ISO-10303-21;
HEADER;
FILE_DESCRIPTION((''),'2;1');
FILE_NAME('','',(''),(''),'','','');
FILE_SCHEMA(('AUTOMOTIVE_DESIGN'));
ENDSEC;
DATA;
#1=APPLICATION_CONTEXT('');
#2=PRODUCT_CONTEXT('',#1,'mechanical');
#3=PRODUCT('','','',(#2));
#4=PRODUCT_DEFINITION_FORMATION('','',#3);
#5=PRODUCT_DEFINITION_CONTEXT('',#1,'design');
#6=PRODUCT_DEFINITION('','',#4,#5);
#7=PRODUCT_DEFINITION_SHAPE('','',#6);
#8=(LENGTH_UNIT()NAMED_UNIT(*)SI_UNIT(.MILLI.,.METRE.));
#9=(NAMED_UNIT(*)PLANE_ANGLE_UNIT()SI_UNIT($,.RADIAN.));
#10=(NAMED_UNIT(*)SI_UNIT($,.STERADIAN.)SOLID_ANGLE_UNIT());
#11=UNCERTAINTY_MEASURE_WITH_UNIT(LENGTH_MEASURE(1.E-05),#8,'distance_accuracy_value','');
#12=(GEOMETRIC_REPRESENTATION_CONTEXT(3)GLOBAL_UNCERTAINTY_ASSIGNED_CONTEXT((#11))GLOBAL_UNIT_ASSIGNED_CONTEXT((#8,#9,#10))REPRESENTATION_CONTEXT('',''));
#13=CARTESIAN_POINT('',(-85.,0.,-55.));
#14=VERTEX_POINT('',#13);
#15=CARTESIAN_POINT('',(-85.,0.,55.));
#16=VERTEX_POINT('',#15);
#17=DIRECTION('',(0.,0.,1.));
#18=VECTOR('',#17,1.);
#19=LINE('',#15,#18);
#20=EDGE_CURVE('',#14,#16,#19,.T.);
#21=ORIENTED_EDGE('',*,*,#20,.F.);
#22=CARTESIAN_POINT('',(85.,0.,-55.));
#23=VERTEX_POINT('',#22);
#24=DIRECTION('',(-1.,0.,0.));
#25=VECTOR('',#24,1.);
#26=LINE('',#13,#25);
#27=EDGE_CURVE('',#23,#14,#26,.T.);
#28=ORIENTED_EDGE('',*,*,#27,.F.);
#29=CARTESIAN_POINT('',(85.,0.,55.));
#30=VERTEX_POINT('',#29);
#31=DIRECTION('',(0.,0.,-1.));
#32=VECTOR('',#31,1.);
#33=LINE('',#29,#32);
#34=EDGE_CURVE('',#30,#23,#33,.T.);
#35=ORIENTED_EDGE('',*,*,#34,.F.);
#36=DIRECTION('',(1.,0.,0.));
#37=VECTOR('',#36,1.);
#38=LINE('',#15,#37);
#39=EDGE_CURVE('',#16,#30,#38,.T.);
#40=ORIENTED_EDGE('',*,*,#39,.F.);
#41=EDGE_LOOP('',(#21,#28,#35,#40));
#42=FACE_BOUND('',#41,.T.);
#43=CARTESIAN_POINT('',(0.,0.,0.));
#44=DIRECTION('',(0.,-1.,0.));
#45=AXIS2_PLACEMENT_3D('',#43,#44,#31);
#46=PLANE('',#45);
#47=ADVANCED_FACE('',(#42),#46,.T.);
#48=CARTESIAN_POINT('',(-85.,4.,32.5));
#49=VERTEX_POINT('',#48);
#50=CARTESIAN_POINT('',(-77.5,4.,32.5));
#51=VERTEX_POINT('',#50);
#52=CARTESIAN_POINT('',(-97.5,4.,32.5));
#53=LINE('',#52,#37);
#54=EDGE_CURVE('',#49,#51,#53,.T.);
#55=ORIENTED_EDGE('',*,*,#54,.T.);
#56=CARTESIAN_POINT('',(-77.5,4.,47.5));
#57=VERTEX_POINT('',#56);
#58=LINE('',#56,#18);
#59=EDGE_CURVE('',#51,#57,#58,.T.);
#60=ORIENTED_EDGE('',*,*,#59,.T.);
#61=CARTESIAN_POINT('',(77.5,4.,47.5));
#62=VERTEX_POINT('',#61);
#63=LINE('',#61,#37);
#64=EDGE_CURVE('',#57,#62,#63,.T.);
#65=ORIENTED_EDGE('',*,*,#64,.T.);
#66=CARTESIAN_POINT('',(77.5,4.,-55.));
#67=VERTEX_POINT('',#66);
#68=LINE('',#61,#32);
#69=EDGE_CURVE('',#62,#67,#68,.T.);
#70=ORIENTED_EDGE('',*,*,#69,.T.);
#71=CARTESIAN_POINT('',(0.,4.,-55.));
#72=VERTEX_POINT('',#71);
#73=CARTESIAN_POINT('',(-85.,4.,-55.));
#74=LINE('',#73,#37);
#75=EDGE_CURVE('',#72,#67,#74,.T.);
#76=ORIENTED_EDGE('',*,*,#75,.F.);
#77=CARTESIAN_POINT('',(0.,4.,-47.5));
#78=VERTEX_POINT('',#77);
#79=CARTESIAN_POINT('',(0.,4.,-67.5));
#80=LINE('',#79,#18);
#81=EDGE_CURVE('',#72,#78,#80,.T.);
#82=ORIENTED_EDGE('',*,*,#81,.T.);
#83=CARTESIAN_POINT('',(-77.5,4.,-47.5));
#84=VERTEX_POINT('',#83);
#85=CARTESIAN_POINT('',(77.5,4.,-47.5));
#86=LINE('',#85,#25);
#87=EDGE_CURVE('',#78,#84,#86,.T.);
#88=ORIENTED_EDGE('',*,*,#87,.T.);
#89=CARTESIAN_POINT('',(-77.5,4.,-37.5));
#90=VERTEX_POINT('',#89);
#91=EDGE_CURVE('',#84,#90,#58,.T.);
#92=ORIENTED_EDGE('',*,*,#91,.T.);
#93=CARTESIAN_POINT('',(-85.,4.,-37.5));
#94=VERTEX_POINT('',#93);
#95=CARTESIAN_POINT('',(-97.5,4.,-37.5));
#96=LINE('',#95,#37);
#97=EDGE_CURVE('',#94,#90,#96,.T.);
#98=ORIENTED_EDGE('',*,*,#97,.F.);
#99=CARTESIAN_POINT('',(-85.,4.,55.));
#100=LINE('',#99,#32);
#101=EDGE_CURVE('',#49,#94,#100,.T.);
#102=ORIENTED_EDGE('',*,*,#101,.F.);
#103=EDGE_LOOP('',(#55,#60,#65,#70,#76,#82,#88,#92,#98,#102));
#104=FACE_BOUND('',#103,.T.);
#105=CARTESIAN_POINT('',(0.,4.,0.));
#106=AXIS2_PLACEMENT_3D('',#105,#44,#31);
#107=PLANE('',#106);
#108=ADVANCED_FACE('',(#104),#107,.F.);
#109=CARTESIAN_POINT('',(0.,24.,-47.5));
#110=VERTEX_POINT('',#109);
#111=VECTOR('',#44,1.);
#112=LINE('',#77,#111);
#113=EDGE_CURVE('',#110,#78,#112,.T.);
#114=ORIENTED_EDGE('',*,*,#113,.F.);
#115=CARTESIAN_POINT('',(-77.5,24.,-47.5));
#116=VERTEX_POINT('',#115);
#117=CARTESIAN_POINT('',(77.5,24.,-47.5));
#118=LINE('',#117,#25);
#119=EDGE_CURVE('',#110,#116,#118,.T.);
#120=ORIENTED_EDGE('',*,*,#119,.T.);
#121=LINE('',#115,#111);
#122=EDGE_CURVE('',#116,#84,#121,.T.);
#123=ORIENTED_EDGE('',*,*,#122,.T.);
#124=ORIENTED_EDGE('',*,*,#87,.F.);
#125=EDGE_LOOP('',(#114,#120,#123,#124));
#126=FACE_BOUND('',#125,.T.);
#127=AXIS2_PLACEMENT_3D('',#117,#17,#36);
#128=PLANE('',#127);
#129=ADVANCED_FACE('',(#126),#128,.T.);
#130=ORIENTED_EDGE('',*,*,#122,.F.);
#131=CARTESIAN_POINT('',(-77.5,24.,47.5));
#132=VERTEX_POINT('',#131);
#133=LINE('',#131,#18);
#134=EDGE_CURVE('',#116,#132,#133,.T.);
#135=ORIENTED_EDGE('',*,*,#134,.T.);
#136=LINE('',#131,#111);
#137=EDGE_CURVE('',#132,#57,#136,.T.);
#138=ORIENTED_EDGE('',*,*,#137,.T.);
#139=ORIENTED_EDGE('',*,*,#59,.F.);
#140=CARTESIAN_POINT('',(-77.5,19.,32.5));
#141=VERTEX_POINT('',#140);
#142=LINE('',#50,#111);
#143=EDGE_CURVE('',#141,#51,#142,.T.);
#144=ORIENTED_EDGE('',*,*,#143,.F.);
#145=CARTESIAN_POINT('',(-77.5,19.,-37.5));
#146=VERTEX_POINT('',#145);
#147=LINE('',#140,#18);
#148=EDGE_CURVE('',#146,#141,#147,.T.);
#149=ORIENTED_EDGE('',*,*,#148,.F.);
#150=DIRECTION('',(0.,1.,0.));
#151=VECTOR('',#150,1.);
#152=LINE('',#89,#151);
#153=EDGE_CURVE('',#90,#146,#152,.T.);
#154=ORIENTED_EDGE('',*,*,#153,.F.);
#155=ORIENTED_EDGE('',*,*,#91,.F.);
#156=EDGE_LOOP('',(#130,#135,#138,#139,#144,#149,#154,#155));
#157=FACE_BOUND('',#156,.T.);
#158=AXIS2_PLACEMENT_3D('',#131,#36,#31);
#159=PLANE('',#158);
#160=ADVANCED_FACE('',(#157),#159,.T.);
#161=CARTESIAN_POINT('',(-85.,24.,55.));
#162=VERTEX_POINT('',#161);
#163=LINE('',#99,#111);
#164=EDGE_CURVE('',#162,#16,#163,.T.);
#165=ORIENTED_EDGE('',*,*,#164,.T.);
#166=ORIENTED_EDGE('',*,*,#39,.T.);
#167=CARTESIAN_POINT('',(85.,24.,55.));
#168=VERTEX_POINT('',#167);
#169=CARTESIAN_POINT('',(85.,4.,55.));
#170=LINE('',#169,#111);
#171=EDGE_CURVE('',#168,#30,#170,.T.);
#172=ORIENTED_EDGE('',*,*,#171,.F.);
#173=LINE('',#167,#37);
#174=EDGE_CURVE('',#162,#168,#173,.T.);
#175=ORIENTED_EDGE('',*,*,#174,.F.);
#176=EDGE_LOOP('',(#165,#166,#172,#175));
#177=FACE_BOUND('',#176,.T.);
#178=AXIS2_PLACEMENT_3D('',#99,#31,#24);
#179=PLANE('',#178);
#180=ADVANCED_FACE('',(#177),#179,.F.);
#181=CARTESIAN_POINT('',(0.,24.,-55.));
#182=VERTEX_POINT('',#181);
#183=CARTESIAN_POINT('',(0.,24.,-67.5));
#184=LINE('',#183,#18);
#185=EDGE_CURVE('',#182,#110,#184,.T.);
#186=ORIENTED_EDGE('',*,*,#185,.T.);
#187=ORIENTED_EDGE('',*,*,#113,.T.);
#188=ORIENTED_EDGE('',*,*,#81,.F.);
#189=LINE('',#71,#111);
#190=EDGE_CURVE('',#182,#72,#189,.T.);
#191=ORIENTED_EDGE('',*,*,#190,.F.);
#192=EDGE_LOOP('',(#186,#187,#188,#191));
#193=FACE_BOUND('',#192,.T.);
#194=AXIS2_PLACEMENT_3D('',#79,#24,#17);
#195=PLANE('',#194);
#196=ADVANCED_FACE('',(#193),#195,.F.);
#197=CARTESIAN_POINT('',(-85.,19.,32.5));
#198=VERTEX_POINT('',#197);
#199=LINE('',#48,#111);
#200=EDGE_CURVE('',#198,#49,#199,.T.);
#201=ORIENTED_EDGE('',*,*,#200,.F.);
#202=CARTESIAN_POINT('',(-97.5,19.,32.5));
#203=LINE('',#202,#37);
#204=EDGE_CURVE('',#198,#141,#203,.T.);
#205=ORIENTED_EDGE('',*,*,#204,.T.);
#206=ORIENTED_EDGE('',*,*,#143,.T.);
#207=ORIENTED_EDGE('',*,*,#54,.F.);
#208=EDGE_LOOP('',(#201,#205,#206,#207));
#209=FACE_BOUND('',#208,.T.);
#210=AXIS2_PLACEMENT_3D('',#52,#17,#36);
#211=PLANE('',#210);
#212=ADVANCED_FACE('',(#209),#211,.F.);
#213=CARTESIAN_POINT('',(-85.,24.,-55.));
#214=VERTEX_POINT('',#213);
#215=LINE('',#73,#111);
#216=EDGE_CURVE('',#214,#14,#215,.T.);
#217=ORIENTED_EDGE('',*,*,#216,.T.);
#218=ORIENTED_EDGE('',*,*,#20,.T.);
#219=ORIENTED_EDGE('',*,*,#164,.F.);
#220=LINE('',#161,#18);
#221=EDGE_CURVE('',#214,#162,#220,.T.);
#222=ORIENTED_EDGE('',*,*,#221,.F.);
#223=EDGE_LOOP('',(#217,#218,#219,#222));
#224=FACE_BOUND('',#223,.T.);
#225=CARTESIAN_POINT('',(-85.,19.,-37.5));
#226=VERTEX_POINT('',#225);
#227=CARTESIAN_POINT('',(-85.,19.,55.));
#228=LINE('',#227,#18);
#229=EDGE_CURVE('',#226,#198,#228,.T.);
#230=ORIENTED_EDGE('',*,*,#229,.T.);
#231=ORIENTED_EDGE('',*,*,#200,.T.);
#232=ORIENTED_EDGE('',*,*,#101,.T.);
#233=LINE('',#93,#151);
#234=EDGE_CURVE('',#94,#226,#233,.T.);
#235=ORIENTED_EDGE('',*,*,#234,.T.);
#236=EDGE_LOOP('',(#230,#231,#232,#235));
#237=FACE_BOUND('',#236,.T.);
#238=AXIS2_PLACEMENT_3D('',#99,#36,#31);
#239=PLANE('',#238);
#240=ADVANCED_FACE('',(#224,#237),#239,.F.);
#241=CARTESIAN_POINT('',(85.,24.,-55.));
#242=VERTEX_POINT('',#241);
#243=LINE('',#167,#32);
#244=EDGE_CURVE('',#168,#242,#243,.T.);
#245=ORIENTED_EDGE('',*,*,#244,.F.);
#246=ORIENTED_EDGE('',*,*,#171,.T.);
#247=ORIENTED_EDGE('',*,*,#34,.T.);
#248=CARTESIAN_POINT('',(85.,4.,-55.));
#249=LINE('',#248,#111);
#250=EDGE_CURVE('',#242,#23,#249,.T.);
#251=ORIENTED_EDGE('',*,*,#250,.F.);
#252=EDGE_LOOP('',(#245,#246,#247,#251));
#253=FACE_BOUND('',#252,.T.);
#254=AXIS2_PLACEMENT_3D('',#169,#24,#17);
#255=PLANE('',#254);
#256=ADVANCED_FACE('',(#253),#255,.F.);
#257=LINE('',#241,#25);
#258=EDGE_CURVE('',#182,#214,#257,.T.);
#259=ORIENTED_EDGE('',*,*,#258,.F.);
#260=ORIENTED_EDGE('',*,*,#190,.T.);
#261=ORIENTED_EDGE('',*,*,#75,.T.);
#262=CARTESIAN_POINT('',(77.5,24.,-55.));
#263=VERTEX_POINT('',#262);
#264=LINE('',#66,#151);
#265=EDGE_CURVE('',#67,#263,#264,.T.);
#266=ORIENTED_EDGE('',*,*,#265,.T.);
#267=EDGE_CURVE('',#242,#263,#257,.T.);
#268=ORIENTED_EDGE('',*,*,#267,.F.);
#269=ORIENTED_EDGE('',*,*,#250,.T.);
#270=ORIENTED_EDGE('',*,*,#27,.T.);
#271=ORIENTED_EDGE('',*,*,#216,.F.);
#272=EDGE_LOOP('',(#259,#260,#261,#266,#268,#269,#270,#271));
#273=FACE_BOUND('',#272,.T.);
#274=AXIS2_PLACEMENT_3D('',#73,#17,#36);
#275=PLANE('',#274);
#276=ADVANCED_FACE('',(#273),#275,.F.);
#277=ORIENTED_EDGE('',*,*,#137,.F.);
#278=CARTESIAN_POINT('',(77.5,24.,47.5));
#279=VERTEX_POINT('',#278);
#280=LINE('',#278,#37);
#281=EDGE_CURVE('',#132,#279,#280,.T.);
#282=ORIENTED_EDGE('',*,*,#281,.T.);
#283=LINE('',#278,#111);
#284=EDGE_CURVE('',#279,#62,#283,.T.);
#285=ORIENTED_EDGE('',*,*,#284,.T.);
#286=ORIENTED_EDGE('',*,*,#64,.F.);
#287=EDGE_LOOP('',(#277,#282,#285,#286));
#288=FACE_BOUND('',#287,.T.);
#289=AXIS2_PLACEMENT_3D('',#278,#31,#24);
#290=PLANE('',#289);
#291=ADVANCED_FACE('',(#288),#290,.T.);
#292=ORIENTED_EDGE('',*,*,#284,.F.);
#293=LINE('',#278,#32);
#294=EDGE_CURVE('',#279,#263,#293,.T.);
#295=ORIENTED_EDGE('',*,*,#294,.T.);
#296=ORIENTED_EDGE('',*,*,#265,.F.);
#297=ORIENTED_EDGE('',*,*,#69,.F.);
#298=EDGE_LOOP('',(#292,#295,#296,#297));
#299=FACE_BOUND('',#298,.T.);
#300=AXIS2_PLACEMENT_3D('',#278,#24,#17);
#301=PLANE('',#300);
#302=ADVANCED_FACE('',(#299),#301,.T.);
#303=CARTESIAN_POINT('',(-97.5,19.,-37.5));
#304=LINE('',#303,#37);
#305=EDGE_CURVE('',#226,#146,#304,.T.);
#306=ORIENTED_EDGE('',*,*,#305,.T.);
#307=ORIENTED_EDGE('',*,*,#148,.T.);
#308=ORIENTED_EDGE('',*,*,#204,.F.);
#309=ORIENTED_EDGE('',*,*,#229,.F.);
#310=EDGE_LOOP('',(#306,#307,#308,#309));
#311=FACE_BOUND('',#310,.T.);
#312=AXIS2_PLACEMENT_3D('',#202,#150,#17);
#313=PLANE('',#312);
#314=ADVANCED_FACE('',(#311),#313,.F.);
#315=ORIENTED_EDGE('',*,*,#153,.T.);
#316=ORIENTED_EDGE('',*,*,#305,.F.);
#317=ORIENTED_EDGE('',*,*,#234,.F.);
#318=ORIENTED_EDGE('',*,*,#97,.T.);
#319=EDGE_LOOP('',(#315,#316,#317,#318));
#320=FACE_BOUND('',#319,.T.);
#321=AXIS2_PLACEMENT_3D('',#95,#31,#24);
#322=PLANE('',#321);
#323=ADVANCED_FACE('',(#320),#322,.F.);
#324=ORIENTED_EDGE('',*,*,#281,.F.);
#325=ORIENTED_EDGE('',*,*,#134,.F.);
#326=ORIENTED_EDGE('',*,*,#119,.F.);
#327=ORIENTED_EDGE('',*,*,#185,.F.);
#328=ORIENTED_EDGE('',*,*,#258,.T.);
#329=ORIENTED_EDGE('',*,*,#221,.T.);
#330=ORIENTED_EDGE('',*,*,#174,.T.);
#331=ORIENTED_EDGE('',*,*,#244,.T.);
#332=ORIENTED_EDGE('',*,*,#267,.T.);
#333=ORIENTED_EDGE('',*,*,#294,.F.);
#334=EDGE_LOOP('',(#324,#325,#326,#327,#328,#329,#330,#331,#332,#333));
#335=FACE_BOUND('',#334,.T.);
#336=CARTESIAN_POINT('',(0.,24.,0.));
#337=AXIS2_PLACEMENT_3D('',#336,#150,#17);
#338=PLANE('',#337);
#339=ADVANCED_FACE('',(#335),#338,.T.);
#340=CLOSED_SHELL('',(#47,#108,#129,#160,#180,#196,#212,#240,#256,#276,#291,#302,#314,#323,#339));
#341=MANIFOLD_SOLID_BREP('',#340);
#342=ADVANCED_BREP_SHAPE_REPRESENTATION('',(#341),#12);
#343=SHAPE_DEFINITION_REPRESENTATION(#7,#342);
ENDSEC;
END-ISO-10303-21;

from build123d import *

# Parameters (mm, degrees)
CROQUIS2_W              = 170
CROQUIS2_H              = 110
SALIENTE_EXTRUIR1_DEPTH = 4
CROQUIS3_W              = 170
CROQUIS3_H              = 110
CROQUIS3_W_2            = 155
CROQUIS3_H_2            = 95
SALIENTE_EXTRUIR2_DEPTH = 20
CROQUIS4_W              = 70
CROQUIS4_H              = 15
CORTAR_EXTRUIR1_DEPTH   = 20
CROQUIS5_W              = 77.5
CROQUIS5_H              = 20
CORTAR_EXTRUIR2_DEPTH   = 20


with BuildPart() as part:
    # Croquis2 → Saliente-Extruir1 (new body)
    with BuildSketch(Plane(origin=(0, 0, 0), x_dir=(1, 0, 0), z_dir=(0, 1, 0))):
        Rectangle(CROQUIS2_W, CROQUIS2_H)
    extrude(amount=SALIENTE_EXTRUIR1_DEPTH)

    # Croquis3 → Saliente-Extruir2 (add)
    with BuildSketch(Plane(origin=(0, 4, 0), x_dir=(1, 0, 0), z_dir=(0, 1, 0))):
        Rectangle(CROQUIS3_W, CROQUIS3_H)
        Rectangle(CROQUIS3_W_2, CROQUIS3_H_2, mode=Mode.SUBTRACT)
    extrude(amount=SALIENTE_EXTRUIR2_DEPTH)

    # Croquis4 → Cortar-Extruir1 (cut)
    with BuildSketch(Plane(origin=(-77.5, 0, 0), x_dir=(0, 0, -1), z_dir=(1, 0, 0))):
        with Locations((2.5, 11.5)):
            Rectangle(CROQUIS4_W, CROQUIS4_H)
    extrude(amount=-CORTAR_EXTRUIR1_DEPTH, mode=Mode.SUBTRACT)

    # Croquis5 → Cortar-Extruir2 (cut)
    with BuildSketch(Plane.XY.offset(-47.5)):
        with Locations((38.75, 14)):
            Rectangle(CROQUIS5_W, CROQUIS5_H)
    extrude(amount=-CORTAR_EXTRUIR2_DEPTH, mode=Mode.SUBTRACT)


solid = part.part
